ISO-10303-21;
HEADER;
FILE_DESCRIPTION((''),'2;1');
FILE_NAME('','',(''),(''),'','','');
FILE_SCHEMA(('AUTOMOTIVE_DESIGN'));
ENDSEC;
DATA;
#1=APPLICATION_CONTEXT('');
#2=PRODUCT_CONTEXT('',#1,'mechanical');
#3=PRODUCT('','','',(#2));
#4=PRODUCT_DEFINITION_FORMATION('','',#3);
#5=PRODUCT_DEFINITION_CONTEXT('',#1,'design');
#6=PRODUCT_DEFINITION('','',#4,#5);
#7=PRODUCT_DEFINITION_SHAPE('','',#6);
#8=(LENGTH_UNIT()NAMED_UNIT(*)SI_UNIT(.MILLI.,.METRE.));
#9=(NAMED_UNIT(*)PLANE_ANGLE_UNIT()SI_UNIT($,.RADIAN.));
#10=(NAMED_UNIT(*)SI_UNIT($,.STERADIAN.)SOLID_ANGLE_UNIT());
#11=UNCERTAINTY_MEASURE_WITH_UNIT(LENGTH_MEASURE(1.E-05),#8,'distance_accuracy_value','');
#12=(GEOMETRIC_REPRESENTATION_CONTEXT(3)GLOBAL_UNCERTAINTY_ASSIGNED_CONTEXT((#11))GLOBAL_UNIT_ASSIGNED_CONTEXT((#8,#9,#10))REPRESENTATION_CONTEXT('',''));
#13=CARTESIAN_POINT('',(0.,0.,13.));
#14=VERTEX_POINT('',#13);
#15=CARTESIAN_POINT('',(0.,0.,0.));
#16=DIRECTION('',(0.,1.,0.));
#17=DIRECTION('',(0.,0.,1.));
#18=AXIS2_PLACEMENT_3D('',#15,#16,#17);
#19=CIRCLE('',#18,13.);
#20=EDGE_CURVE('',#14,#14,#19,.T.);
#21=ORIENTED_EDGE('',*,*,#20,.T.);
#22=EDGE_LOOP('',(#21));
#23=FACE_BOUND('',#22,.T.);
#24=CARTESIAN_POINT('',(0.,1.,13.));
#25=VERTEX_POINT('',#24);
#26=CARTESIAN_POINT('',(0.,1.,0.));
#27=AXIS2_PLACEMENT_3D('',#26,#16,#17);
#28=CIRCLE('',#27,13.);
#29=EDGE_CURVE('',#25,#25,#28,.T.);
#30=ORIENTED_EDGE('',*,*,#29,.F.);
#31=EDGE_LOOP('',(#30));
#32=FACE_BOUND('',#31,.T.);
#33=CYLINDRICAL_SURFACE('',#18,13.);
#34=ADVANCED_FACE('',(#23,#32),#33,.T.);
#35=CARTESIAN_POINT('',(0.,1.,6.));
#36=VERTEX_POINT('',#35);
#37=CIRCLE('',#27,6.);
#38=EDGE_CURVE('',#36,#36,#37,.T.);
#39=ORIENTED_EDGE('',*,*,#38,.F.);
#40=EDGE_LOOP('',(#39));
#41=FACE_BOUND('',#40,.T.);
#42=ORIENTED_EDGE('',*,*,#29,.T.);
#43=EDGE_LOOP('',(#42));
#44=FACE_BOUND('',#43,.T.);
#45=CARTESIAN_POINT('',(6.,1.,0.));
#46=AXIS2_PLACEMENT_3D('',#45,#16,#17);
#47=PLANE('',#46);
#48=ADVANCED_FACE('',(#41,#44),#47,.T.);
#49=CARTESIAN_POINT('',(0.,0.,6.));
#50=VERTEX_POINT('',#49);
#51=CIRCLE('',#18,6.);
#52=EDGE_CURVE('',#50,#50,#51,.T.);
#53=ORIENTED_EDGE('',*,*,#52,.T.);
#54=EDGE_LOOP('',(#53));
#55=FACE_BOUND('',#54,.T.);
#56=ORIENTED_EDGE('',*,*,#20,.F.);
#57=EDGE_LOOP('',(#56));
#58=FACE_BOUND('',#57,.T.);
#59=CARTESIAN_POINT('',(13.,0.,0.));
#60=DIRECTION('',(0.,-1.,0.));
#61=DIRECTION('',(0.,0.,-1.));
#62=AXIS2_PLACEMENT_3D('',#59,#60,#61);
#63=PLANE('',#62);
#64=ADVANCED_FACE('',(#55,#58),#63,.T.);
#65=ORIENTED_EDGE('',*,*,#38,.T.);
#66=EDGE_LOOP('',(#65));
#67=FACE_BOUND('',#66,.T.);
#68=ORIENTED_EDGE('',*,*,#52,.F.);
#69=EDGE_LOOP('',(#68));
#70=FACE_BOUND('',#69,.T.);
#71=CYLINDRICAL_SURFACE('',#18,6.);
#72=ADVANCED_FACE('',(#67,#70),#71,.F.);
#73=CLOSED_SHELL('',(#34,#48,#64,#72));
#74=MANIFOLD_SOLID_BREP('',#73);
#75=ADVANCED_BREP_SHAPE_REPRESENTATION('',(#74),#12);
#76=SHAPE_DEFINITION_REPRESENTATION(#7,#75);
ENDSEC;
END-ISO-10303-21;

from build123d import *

# Parameters (mm, degrees)
SKETCH1_W = 7
SKETCH1_H = 1


with BuildPart() as part:
    # Sketch1 → Revolve1 (revolve)
    with BuildSketch(Plane(origin=(0, 0, 0), x_dir=(-1, 0, 0), z_dir=(0, 0, -1))):
        with Locations((-9.5, 0.5)):
            Rectangle(SKETCH1_W, SKETCH1_H)
    revolve(axis=Axis((0, 0, 0), (0, 1, 0)))


solid = part.part
